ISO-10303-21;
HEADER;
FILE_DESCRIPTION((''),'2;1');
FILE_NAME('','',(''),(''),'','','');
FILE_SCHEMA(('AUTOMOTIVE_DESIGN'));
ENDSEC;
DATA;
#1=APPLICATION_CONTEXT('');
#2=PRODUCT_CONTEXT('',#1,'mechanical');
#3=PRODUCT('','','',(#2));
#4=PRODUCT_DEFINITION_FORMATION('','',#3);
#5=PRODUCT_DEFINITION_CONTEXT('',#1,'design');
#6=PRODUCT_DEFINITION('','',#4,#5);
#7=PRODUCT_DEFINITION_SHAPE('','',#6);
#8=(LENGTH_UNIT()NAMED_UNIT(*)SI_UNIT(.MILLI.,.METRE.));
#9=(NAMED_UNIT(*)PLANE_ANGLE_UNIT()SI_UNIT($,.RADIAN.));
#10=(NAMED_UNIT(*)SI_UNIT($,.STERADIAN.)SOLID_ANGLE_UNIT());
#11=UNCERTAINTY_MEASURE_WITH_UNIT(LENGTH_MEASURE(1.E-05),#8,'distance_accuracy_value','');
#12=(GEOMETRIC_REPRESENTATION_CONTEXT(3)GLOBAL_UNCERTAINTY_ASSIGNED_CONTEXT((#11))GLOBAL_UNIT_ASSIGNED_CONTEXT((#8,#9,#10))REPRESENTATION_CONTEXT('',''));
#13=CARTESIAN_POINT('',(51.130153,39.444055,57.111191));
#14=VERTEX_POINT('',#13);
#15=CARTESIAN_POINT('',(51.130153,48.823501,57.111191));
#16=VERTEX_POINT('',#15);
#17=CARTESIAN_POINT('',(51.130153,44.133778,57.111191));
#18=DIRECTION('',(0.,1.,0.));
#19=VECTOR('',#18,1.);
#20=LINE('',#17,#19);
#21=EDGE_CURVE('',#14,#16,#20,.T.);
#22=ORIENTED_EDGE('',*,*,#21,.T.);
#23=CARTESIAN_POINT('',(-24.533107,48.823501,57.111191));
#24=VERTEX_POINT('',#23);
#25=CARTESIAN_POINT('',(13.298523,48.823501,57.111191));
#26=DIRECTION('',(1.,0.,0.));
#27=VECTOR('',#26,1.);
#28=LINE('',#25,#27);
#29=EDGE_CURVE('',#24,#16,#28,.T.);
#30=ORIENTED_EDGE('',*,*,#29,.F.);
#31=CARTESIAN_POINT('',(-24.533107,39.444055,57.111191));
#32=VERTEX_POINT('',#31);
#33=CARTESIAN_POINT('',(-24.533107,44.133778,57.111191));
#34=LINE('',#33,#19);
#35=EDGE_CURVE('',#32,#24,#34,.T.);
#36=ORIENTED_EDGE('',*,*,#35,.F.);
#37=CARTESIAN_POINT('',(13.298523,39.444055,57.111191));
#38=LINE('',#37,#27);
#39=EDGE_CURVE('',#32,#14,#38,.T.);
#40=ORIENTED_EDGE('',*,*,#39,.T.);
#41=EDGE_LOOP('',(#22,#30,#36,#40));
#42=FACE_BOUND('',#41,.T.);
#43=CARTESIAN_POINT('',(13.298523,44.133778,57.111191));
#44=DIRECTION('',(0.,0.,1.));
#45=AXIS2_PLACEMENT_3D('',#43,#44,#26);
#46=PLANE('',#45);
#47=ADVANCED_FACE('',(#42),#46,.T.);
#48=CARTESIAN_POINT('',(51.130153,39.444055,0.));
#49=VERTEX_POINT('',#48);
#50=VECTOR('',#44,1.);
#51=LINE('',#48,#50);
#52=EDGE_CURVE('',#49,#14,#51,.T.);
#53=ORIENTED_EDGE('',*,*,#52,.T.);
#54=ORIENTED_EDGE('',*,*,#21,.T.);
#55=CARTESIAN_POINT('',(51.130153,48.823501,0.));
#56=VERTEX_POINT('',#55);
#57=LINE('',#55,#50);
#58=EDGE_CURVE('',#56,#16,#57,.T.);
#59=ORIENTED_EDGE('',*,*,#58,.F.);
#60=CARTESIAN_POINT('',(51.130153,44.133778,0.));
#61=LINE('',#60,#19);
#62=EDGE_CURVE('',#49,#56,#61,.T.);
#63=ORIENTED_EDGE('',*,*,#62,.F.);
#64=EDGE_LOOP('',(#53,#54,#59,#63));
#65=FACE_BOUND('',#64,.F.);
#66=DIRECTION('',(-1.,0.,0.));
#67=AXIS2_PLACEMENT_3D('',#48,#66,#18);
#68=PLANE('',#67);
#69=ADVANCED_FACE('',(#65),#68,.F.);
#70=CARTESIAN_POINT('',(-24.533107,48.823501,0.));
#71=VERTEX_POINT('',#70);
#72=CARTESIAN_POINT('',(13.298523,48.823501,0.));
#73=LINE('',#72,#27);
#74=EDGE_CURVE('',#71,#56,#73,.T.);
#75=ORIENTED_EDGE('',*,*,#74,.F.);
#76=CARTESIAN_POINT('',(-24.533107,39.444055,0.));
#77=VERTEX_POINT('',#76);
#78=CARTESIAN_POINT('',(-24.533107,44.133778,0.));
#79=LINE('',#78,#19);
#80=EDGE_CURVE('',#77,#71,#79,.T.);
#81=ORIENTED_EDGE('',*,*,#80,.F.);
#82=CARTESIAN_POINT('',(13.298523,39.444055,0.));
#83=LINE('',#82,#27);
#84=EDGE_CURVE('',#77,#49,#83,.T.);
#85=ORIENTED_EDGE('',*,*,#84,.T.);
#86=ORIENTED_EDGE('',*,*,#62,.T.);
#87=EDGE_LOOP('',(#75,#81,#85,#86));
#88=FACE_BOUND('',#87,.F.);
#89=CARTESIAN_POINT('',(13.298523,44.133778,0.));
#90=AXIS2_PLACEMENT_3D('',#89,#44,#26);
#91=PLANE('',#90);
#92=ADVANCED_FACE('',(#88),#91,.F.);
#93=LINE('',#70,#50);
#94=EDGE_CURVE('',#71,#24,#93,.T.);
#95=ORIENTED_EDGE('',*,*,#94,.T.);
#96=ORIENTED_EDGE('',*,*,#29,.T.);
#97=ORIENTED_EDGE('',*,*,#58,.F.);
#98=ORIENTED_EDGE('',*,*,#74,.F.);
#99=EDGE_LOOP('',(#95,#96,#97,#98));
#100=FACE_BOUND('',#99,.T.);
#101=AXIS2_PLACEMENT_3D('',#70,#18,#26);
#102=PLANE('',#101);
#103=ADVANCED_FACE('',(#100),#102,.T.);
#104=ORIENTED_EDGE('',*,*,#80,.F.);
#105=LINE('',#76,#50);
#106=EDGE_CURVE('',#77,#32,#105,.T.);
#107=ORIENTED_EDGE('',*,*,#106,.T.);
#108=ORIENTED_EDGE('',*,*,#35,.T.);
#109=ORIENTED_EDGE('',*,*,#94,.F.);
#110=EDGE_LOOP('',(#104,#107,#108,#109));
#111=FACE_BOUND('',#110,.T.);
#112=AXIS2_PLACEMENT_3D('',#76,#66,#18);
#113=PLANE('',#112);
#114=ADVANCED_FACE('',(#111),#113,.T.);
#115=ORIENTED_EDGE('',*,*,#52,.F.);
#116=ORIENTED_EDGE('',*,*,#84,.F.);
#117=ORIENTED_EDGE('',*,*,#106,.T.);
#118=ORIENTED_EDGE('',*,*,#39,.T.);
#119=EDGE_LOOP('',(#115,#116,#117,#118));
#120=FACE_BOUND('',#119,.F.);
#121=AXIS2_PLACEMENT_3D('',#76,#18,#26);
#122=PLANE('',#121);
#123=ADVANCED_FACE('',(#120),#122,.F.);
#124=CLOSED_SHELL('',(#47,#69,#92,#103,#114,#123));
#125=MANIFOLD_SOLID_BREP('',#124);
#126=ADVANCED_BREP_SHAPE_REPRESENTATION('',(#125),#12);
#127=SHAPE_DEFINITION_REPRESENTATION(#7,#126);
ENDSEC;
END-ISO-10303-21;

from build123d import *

# Parameters (mm, degrees)
F1_W     = 75.663261
F1_H     = 9.379447
F2_DEPTH = 57.111191


with BuildPart() as f2:
    # F1 (on face) → F2 (new body)
    with BuildSketch(Plane.XY):
        with Locations((13.298523, 44.133778)):
            Rectangle(F1_W, F1_H)
    extrude(amount=F2_DEPTH)


solid = f2.part
